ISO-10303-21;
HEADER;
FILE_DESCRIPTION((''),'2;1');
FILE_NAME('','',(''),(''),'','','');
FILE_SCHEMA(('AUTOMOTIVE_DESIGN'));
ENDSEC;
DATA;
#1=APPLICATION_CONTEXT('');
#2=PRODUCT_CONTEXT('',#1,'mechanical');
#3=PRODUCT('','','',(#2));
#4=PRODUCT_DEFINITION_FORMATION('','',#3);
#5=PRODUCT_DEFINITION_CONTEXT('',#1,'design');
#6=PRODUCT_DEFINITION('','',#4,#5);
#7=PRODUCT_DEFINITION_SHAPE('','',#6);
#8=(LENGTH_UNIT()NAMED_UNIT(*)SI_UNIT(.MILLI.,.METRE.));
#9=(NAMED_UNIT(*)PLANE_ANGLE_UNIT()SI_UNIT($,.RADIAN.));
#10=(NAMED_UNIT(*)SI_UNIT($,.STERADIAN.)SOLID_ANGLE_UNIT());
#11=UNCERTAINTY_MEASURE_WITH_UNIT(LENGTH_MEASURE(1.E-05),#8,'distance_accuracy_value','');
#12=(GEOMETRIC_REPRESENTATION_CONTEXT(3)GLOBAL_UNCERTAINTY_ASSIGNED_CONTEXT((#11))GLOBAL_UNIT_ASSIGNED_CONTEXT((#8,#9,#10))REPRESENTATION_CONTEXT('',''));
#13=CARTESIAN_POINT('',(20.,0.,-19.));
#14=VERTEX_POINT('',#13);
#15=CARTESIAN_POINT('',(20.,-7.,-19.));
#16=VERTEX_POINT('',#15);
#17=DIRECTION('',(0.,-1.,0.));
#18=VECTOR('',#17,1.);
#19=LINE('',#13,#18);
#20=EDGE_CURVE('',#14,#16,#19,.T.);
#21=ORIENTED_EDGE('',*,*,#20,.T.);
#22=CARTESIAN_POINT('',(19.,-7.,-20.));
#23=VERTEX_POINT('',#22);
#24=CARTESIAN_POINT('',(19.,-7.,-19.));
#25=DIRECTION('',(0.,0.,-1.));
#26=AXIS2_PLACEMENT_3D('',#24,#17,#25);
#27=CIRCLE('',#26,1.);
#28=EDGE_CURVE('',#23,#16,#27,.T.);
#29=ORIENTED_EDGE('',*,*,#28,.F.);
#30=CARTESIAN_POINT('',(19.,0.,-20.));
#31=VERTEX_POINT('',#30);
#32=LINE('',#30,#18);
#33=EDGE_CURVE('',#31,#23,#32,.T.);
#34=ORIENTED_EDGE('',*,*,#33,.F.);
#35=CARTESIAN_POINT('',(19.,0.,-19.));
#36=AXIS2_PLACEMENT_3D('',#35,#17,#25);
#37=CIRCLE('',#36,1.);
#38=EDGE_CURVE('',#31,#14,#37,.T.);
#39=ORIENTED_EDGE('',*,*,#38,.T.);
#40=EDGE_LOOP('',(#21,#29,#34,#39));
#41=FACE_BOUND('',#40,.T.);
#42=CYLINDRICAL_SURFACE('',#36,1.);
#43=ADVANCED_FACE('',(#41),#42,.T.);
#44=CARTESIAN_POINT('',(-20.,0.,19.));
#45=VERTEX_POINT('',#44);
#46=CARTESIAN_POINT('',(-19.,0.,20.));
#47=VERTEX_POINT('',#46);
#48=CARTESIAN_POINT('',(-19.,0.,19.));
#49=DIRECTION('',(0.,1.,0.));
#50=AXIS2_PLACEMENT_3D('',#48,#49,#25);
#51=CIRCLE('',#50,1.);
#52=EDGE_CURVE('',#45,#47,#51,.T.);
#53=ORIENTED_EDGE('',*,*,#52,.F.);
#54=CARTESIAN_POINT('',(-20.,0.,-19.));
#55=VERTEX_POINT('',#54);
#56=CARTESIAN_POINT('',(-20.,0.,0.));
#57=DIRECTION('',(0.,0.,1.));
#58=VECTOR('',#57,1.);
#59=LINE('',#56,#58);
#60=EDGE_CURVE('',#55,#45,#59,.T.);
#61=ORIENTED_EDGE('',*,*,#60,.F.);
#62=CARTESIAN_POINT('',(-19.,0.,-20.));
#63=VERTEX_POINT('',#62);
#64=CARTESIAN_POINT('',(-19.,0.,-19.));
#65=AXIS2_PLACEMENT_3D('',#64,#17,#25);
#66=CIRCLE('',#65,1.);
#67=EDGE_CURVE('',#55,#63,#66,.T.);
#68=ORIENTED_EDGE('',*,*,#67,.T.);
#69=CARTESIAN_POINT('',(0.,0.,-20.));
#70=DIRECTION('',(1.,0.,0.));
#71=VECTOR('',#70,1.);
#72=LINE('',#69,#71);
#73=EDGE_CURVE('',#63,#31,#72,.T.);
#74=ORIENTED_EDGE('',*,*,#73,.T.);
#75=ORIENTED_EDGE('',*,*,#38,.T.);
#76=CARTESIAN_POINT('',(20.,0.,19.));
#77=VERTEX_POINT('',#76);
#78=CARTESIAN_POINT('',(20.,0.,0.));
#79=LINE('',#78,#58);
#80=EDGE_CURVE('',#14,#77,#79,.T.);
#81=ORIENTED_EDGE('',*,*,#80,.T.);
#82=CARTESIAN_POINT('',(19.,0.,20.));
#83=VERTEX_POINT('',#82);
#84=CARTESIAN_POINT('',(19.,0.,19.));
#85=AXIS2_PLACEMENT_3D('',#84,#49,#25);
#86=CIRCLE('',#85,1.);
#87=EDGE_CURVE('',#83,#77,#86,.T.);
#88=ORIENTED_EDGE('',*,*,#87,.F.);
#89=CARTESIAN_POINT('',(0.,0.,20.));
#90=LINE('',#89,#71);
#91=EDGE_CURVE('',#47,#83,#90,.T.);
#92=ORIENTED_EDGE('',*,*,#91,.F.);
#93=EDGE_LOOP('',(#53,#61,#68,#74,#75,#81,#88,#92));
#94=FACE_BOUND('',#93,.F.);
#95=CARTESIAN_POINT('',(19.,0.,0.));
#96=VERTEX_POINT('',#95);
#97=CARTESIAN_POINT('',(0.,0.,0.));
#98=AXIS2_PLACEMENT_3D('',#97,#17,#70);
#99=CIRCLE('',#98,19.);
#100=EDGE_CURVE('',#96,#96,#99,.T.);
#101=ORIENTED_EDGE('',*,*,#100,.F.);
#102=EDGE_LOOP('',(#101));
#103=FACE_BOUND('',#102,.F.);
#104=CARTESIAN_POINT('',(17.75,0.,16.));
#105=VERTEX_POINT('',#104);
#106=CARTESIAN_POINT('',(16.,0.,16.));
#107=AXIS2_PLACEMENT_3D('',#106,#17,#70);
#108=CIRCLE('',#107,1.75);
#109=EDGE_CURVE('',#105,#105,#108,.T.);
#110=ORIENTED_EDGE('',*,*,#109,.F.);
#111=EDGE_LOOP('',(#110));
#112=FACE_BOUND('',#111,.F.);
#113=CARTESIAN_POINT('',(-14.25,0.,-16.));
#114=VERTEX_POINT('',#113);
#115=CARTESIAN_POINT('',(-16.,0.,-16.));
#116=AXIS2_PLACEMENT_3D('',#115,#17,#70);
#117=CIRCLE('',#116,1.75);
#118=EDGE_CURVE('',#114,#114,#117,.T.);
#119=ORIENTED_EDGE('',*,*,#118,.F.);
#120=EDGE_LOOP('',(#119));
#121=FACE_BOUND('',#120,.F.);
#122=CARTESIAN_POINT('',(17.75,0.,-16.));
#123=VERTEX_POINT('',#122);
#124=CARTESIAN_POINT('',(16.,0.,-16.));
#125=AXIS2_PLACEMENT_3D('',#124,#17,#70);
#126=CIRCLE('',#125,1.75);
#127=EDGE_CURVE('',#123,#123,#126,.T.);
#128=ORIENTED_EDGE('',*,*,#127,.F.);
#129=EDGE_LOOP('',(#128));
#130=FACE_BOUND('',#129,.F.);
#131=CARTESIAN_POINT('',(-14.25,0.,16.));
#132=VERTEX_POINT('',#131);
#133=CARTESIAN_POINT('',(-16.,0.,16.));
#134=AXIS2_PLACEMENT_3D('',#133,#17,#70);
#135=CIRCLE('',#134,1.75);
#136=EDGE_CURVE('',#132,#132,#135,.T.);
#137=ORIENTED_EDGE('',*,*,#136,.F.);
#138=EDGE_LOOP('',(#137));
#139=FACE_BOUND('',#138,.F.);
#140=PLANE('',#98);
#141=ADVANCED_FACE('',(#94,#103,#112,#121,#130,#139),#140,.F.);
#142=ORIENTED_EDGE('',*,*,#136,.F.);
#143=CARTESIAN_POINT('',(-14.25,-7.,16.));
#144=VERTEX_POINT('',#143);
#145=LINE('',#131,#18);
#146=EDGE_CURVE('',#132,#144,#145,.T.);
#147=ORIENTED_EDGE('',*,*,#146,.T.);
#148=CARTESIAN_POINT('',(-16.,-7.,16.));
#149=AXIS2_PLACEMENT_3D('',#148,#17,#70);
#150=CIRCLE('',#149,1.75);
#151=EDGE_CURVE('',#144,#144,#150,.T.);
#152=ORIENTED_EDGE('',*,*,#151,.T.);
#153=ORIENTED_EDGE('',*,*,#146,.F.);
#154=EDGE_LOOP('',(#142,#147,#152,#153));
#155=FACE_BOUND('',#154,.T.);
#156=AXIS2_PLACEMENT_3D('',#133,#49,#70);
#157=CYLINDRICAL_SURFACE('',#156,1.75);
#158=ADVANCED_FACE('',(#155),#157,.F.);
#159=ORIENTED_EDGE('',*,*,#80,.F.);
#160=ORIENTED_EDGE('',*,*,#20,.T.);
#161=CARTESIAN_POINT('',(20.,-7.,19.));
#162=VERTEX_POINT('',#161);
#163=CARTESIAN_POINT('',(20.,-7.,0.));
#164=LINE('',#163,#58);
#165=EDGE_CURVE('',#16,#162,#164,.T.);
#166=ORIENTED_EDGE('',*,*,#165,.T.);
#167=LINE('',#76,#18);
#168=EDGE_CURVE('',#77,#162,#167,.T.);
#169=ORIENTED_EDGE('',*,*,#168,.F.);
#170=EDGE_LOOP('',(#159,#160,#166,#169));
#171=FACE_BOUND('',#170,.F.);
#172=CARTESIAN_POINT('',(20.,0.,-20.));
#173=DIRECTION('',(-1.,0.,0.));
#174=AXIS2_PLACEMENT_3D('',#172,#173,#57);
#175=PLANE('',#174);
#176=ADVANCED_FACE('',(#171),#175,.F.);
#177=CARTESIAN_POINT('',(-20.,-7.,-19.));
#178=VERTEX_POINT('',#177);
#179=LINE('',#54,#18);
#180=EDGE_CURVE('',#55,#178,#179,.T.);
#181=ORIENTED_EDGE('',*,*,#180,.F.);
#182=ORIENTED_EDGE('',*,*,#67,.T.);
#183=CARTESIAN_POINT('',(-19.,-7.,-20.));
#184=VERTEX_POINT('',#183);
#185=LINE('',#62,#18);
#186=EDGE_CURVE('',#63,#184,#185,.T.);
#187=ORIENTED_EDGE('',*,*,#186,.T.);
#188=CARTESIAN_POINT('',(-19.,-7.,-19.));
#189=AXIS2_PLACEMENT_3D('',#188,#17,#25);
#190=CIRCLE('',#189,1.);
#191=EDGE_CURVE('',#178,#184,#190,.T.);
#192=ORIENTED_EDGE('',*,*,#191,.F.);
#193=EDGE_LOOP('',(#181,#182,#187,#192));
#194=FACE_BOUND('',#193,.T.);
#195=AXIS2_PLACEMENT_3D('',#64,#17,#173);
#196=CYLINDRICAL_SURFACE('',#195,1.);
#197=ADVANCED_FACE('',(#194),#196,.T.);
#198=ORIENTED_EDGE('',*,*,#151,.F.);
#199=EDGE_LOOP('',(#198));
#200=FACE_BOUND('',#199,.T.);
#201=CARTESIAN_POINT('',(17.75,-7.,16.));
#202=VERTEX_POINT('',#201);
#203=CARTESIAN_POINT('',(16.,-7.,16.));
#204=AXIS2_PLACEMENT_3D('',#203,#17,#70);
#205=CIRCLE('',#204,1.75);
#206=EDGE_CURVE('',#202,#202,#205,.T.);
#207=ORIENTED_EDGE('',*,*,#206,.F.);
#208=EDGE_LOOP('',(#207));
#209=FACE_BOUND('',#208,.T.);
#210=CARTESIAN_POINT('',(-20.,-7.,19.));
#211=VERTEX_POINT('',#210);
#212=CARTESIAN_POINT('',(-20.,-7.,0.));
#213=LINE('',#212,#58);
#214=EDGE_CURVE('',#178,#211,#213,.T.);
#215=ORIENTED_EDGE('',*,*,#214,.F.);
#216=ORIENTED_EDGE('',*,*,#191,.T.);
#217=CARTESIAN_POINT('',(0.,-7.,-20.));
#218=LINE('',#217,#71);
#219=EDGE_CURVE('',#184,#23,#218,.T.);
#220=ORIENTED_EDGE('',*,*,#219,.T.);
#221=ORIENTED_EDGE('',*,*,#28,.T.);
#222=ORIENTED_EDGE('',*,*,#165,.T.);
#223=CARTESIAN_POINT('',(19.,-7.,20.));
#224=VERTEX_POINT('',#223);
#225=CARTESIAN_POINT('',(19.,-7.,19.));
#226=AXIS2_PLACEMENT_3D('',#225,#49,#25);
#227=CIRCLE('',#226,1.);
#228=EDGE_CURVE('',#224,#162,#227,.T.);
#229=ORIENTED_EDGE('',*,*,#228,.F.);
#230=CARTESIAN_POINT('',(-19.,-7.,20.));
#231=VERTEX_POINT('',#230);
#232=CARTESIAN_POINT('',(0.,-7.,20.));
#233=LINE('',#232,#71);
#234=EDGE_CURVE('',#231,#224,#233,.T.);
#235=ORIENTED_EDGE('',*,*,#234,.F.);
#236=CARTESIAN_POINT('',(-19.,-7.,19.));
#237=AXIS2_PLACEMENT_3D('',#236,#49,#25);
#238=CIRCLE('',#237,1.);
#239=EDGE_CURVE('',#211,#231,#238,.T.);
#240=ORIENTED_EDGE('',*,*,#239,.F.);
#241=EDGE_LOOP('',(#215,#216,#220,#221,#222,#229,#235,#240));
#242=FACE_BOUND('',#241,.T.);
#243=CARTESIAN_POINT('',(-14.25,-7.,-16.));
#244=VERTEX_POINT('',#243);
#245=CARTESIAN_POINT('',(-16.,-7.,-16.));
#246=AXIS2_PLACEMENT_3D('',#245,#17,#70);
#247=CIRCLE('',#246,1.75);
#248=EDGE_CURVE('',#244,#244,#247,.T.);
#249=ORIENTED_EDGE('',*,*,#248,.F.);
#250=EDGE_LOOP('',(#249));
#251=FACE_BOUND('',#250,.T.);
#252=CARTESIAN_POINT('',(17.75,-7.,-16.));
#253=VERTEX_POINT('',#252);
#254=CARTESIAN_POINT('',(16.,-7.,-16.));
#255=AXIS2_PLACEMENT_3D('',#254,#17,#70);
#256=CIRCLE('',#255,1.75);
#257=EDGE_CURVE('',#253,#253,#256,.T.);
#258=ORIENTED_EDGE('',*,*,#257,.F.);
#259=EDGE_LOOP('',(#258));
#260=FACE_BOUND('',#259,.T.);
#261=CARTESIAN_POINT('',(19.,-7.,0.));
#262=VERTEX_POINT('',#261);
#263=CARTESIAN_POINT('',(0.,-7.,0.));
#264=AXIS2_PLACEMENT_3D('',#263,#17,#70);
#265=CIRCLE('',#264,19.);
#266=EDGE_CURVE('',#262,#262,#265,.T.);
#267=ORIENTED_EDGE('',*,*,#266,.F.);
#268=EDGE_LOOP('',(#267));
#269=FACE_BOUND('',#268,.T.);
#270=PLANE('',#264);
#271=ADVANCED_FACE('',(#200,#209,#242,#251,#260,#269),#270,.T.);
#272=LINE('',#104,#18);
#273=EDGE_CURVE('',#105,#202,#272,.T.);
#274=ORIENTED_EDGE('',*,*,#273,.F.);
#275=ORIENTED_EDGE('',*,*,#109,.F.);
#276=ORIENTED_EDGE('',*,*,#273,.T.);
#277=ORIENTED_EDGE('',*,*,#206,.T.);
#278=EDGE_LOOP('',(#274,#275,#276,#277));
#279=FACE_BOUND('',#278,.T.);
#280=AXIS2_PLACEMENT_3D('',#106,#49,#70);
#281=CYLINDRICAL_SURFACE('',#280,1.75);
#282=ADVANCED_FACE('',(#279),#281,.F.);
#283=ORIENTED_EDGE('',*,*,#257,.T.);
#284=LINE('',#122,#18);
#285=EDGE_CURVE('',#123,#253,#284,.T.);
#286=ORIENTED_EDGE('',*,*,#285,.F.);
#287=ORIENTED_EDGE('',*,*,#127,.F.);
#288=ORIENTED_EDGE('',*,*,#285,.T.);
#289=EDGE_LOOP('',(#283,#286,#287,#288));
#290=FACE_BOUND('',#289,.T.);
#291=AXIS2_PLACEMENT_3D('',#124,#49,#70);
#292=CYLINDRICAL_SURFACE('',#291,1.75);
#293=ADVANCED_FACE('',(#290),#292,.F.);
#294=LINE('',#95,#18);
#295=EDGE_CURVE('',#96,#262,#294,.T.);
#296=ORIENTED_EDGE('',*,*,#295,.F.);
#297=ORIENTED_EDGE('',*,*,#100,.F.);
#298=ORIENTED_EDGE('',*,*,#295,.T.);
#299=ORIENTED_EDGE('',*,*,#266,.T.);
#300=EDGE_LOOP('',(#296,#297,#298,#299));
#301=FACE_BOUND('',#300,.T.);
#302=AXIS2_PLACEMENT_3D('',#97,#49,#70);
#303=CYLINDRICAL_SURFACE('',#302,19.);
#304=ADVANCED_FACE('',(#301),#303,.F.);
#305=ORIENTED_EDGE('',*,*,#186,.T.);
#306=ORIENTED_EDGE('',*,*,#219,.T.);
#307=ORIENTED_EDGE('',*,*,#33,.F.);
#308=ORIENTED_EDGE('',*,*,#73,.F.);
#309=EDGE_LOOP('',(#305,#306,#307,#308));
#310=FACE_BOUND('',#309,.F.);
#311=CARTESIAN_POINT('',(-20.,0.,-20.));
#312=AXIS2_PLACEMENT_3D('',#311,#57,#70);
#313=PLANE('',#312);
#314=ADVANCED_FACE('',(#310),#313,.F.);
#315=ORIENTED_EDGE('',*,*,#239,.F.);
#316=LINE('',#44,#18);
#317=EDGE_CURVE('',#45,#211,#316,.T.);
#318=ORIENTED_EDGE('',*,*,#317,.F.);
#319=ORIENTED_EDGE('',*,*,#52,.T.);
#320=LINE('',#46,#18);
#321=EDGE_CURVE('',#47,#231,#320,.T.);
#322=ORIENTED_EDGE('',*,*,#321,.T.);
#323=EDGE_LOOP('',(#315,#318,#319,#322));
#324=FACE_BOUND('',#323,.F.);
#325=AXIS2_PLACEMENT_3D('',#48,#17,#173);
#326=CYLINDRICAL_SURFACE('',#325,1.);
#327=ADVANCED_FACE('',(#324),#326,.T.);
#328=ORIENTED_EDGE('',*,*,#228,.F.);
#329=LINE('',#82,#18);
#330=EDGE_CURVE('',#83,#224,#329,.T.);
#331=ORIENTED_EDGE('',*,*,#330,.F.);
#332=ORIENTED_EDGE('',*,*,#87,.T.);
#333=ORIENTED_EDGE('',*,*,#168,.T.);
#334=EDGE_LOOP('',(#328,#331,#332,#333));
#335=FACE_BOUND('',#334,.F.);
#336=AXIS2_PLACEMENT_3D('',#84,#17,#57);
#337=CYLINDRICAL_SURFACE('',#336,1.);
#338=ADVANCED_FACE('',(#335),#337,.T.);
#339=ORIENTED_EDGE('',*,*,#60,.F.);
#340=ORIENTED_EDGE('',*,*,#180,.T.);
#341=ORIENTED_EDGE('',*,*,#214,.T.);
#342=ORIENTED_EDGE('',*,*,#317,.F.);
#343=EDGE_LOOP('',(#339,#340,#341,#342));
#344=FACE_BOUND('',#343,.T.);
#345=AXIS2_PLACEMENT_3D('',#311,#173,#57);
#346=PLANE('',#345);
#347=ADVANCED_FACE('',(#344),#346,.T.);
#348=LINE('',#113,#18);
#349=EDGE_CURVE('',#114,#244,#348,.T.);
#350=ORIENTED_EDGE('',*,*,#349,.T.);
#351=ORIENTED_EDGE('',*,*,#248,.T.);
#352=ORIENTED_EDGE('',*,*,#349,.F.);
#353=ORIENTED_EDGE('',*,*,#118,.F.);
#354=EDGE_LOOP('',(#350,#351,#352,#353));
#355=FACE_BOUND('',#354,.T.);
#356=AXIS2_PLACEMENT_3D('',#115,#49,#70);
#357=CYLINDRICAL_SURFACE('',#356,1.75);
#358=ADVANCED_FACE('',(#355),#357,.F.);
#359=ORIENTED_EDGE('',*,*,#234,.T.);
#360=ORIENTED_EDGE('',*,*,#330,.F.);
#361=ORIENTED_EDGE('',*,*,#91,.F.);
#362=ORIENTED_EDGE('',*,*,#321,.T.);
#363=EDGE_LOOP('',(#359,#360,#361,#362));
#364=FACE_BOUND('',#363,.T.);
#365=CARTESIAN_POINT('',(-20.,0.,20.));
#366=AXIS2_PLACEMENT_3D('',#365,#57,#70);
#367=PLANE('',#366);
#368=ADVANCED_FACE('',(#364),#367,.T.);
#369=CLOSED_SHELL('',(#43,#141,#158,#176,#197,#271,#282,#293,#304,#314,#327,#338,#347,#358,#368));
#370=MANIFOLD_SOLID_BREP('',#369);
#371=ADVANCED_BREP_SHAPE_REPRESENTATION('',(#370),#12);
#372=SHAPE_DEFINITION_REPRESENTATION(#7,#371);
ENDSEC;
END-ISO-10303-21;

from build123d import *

# Parameters (mm, degrees)
F0_W     = 40
F0_H     = 40
F0_R     = 1.75
F0_R_2   = 19
F1_DEPTH = 7
F2_R     = 1


with BuildPart() as f1:
    # F0 (on Front) → F1 (new body)
    with BuildSketch(Plane.XZ):
        Rectangle(F0_W, F0_H)
        with Locations((-16, -16)):
            Circle(F0_R, mode=Mode.SUBTRACT)
        with Locations((16, -16)):
            Circle(F0_R, mode=Mode.SUBTRACT)
        with Locations((-16, 16)):
            Circle(F0_R, mode=Mode.SUBTRACT)
        Circle(F0_R_2, mode=Mode.SUBTRACT)
        with Locations((16, 16)):
            Circle(F0_R, mode=Mode.SUBTRACT)
    extrude(amount=F1_DEPTH)

    # F2
    f2_edges = [f1.edges().sort_by_distance(p)[0] for p in [
        (20, -3.5, -20),
        (-20, -3.5, -20),
        (20, -3.5, 20),
        (-20, -3.5, 20),
    ]]
    fillet(f2_edges, radius=F2_R)


solid = f1.part
